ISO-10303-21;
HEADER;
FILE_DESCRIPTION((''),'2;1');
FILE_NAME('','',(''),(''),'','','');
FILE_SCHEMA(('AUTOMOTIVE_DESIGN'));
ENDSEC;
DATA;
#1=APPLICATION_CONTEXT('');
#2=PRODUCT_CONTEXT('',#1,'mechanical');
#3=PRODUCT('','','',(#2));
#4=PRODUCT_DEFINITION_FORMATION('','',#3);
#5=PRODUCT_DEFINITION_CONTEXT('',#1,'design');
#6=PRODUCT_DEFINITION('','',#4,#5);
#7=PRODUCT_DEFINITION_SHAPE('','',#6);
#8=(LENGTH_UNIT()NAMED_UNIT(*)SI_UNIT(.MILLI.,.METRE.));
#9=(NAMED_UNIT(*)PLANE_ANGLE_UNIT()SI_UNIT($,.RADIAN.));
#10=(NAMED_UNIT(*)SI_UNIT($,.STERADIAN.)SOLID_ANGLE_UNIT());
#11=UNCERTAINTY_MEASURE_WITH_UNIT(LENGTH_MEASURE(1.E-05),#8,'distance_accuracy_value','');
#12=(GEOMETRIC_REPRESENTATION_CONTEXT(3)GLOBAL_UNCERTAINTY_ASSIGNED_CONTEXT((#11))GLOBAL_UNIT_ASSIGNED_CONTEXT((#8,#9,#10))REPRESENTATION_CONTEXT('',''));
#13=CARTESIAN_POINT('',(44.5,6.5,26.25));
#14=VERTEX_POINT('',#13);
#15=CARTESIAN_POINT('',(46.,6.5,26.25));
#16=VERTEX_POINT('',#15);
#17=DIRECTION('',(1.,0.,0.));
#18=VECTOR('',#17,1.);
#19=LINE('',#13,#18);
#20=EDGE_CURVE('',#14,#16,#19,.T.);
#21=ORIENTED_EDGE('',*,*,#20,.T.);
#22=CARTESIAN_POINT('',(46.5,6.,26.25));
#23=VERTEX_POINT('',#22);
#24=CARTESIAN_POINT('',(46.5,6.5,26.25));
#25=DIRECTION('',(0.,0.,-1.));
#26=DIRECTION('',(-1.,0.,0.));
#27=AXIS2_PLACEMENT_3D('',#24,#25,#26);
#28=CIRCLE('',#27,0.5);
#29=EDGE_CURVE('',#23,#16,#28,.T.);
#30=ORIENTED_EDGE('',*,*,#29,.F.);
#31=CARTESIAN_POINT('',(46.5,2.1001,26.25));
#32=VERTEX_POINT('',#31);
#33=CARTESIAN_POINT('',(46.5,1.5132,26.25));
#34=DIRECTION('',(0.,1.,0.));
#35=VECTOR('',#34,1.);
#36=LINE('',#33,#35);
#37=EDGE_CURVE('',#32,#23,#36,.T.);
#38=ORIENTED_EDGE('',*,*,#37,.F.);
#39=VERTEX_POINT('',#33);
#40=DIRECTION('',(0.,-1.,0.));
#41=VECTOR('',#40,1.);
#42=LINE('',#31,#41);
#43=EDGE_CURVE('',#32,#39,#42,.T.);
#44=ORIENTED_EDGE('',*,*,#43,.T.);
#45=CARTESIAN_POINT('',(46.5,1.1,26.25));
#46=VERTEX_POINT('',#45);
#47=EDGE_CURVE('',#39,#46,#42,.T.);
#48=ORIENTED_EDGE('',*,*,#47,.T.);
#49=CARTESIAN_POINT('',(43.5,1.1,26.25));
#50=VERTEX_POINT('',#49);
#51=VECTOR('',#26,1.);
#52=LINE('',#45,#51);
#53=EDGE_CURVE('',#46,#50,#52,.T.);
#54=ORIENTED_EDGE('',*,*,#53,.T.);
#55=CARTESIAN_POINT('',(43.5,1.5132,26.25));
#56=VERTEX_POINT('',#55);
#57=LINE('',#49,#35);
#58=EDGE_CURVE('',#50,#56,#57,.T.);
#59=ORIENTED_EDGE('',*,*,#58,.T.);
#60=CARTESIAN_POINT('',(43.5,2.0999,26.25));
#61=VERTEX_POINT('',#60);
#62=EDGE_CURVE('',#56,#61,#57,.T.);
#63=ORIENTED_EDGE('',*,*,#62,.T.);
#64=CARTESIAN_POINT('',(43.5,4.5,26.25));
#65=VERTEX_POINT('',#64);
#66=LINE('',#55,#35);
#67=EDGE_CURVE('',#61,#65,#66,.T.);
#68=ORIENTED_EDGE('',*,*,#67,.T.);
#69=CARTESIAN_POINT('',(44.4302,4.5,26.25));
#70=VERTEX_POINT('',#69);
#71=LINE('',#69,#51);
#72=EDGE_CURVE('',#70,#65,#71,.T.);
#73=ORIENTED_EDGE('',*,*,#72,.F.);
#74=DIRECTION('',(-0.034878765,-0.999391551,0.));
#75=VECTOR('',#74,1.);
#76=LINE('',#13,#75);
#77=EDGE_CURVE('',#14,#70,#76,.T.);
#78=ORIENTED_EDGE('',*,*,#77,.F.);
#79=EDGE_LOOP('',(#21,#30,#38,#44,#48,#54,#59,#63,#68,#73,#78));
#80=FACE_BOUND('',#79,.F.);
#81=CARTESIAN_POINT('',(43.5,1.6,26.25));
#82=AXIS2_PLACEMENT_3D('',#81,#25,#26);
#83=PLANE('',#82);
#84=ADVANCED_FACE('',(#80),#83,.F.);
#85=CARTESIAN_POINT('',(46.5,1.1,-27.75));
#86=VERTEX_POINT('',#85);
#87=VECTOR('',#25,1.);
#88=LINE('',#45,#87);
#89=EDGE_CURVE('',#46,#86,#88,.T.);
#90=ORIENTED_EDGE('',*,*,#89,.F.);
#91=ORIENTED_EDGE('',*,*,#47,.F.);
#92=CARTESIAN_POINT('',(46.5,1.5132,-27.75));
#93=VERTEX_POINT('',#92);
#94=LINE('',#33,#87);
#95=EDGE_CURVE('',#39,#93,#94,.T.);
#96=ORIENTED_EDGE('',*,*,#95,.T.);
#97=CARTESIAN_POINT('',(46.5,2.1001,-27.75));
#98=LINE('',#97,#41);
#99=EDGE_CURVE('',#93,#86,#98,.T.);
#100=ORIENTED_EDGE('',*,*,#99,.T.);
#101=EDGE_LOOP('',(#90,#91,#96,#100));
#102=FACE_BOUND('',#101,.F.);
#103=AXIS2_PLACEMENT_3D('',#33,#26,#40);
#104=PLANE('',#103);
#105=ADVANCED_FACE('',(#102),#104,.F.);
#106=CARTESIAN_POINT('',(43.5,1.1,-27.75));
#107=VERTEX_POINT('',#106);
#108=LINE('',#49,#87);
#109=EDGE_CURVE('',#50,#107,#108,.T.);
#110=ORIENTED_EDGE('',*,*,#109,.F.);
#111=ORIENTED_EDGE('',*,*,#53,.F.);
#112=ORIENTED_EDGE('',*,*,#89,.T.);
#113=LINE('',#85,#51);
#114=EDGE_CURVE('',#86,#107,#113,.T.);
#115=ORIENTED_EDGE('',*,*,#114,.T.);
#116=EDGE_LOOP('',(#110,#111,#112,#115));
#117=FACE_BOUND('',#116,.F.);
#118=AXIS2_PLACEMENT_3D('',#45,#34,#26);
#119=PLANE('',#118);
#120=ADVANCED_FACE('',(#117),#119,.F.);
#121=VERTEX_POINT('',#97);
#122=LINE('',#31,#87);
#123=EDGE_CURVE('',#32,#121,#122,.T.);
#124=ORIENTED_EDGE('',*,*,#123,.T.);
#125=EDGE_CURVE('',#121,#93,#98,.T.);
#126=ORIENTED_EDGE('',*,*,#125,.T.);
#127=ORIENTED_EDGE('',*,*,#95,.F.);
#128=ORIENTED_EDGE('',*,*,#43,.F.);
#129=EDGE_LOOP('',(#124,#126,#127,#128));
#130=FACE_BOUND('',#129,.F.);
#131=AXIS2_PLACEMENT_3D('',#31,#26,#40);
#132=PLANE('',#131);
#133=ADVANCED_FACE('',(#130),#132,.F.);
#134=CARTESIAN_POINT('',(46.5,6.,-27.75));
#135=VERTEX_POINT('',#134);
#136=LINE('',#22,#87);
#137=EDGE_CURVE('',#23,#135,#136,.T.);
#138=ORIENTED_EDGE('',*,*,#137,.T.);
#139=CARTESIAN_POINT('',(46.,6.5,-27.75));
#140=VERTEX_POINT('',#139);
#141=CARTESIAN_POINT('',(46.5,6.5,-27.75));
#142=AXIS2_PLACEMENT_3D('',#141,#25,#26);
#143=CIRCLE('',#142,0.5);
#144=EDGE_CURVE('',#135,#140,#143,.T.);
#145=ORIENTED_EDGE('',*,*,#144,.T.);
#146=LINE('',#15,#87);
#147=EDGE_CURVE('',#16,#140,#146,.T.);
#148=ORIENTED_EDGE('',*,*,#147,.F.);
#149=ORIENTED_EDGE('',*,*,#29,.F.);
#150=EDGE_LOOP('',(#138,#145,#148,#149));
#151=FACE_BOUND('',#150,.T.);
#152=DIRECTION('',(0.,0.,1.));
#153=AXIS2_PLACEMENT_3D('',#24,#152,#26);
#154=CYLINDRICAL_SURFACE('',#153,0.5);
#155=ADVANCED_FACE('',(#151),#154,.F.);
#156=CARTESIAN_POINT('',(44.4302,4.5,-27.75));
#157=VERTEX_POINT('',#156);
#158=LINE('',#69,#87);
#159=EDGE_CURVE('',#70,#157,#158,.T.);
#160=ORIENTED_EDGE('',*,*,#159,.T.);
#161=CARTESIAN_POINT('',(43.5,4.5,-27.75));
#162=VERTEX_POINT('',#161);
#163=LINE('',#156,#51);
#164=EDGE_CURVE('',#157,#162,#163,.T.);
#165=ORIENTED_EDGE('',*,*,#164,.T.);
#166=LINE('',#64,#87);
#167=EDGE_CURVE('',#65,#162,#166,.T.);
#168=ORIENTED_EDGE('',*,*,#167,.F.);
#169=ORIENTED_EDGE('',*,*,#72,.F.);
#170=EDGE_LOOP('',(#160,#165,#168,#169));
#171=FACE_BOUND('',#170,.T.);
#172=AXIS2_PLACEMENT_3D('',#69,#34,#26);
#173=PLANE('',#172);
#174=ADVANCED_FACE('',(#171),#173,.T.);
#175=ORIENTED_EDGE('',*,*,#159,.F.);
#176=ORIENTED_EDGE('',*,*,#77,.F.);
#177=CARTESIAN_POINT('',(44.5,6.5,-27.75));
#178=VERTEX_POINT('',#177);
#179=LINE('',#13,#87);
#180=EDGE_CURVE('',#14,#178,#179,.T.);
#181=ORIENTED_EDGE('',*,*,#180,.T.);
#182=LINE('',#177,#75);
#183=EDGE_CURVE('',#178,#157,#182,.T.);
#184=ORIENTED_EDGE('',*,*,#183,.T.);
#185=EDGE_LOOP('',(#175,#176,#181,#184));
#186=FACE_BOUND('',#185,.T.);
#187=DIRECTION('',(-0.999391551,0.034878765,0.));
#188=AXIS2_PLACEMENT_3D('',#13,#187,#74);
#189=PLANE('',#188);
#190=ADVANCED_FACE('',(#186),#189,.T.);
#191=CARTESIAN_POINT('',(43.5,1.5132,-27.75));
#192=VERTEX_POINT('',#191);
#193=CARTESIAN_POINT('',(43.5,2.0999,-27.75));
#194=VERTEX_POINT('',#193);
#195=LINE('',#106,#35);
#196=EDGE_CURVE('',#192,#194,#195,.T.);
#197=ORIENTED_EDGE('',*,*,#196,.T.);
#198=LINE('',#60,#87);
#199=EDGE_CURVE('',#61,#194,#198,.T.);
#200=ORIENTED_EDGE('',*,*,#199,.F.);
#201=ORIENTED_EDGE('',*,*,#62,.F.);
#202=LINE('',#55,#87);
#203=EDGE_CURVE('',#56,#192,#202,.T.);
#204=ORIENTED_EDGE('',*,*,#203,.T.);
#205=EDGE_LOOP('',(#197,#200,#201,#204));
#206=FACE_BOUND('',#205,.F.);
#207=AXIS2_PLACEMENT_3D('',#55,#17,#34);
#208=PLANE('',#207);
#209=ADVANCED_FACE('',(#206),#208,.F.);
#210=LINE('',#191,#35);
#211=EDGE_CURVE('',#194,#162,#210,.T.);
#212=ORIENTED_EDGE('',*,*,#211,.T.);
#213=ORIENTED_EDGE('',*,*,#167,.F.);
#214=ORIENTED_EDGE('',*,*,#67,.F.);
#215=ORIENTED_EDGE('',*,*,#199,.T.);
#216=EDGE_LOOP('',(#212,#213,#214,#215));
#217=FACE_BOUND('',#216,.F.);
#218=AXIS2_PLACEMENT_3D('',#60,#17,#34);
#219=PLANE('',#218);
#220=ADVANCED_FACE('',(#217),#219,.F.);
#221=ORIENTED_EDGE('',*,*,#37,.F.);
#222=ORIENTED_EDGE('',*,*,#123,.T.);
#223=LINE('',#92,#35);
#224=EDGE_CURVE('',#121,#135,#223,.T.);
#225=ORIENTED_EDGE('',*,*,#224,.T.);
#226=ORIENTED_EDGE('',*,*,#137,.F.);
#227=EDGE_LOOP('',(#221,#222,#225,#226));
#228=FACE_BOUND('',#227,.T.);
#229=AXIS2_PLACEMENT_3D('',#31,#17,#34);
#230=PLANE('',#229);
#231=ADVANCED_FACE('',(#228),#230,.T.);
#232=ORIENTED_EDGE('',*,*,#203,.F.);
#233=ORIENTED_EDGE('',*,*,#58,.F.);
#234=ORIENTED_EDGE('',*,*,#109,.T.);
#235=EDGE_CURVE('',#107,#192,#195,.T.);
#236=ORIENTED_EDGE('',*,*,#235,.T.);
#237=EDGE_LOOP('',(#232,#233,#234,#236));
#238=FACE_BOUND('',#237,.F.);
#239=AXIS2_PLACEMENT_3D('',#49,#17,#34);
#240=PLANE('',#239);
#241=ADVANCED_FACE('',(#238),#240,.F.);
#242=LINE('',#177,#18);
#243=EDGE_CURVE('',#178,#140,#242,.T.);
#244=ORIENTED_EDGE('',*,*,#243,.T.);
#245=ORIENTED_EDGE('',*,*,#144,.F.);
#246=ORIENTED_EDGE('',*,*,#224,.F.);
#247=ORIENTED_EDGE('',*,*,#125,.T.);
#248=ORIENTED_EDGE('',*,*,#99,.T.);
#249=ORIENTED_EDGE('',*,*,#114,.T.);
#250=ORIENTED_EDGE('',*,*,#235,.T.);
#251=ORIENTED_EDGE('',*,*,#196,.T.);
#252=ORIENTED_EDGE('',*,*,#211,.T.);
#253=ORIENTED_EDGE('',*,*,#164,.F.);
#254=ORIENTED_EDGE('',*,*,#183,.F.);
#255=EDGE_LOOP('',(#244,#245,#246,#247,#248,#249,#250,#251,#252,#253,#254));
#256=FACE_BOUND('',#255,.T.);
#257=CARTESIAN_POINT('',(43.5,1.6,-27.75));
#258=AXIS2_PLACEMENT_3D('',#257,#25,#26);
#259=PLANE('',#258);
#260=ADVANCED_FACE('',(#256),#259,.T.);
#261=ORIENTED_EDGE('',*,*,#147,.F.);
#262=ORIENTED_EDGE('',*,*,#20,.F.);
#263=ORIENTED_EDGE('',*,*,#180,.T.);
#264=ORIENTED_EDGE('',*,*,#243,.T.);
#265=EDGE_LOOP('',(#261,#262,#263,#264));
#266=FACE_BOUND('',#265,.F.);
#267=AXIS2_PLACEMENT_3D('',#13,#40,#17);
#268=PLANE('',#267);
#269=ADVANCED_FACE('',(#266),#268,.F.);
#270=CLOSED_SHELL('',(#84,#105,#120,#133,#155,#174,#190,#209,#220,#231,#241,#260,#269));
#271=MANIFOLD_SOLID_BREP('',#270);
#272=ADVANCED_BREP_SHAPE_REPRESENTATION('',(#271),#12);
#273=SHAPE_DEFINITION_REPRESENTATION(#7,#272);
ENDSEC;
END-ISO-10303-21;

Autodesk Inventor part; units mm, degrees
ref_plane "YZ Plane" through (0, 0, 0) normal (1, 0, 0) x (0, 1, 0)
ref_plane "XZ Plane" through (0, 0, 0) normal (0, 1, 0) x (-1, 0, 0)
ref_plane "XY Plane" through (0, 0, 0) normal (0, 0, 1) x (1, 0, 0)
sketch "スケッチ1" plane through (43.5, 1.6, 26.25) normal (0, 0, -1) x (-1, 0, 0)
  line L0 (-3, 0.5001) -> (-3, -0.5) projected
  line L1 (0, -0.5) -> (0, 0.4999) projected
  line L2 (0, -0.0868) -> (0, 2.9) projected
  line L3 (-3, -0.0868) -> (-3, 4.4) projected
  circle A0 centre (-3, 4.9) radius 0.5 projected
  line L4 (-1, 4.9) -> (-2.5, 4.9) projected
  line L5 (-1, 4.9) -> (-0.9302, 2.9) projected
  line L6 (-0.9302, 2.9) -> (0, 2.9) projected
  line L7 (-3, -0.5) -> (0, -0.5)
  point P0 (43.5, -1.6)
  point P1 (-2.5, 4.9)
extrude "押し出し1" add sketch "スケッチ1" along normal blind 54 contours L3 A0 L4 L5 L6 L2 L1 L7 L0
properties part number "base_01"
